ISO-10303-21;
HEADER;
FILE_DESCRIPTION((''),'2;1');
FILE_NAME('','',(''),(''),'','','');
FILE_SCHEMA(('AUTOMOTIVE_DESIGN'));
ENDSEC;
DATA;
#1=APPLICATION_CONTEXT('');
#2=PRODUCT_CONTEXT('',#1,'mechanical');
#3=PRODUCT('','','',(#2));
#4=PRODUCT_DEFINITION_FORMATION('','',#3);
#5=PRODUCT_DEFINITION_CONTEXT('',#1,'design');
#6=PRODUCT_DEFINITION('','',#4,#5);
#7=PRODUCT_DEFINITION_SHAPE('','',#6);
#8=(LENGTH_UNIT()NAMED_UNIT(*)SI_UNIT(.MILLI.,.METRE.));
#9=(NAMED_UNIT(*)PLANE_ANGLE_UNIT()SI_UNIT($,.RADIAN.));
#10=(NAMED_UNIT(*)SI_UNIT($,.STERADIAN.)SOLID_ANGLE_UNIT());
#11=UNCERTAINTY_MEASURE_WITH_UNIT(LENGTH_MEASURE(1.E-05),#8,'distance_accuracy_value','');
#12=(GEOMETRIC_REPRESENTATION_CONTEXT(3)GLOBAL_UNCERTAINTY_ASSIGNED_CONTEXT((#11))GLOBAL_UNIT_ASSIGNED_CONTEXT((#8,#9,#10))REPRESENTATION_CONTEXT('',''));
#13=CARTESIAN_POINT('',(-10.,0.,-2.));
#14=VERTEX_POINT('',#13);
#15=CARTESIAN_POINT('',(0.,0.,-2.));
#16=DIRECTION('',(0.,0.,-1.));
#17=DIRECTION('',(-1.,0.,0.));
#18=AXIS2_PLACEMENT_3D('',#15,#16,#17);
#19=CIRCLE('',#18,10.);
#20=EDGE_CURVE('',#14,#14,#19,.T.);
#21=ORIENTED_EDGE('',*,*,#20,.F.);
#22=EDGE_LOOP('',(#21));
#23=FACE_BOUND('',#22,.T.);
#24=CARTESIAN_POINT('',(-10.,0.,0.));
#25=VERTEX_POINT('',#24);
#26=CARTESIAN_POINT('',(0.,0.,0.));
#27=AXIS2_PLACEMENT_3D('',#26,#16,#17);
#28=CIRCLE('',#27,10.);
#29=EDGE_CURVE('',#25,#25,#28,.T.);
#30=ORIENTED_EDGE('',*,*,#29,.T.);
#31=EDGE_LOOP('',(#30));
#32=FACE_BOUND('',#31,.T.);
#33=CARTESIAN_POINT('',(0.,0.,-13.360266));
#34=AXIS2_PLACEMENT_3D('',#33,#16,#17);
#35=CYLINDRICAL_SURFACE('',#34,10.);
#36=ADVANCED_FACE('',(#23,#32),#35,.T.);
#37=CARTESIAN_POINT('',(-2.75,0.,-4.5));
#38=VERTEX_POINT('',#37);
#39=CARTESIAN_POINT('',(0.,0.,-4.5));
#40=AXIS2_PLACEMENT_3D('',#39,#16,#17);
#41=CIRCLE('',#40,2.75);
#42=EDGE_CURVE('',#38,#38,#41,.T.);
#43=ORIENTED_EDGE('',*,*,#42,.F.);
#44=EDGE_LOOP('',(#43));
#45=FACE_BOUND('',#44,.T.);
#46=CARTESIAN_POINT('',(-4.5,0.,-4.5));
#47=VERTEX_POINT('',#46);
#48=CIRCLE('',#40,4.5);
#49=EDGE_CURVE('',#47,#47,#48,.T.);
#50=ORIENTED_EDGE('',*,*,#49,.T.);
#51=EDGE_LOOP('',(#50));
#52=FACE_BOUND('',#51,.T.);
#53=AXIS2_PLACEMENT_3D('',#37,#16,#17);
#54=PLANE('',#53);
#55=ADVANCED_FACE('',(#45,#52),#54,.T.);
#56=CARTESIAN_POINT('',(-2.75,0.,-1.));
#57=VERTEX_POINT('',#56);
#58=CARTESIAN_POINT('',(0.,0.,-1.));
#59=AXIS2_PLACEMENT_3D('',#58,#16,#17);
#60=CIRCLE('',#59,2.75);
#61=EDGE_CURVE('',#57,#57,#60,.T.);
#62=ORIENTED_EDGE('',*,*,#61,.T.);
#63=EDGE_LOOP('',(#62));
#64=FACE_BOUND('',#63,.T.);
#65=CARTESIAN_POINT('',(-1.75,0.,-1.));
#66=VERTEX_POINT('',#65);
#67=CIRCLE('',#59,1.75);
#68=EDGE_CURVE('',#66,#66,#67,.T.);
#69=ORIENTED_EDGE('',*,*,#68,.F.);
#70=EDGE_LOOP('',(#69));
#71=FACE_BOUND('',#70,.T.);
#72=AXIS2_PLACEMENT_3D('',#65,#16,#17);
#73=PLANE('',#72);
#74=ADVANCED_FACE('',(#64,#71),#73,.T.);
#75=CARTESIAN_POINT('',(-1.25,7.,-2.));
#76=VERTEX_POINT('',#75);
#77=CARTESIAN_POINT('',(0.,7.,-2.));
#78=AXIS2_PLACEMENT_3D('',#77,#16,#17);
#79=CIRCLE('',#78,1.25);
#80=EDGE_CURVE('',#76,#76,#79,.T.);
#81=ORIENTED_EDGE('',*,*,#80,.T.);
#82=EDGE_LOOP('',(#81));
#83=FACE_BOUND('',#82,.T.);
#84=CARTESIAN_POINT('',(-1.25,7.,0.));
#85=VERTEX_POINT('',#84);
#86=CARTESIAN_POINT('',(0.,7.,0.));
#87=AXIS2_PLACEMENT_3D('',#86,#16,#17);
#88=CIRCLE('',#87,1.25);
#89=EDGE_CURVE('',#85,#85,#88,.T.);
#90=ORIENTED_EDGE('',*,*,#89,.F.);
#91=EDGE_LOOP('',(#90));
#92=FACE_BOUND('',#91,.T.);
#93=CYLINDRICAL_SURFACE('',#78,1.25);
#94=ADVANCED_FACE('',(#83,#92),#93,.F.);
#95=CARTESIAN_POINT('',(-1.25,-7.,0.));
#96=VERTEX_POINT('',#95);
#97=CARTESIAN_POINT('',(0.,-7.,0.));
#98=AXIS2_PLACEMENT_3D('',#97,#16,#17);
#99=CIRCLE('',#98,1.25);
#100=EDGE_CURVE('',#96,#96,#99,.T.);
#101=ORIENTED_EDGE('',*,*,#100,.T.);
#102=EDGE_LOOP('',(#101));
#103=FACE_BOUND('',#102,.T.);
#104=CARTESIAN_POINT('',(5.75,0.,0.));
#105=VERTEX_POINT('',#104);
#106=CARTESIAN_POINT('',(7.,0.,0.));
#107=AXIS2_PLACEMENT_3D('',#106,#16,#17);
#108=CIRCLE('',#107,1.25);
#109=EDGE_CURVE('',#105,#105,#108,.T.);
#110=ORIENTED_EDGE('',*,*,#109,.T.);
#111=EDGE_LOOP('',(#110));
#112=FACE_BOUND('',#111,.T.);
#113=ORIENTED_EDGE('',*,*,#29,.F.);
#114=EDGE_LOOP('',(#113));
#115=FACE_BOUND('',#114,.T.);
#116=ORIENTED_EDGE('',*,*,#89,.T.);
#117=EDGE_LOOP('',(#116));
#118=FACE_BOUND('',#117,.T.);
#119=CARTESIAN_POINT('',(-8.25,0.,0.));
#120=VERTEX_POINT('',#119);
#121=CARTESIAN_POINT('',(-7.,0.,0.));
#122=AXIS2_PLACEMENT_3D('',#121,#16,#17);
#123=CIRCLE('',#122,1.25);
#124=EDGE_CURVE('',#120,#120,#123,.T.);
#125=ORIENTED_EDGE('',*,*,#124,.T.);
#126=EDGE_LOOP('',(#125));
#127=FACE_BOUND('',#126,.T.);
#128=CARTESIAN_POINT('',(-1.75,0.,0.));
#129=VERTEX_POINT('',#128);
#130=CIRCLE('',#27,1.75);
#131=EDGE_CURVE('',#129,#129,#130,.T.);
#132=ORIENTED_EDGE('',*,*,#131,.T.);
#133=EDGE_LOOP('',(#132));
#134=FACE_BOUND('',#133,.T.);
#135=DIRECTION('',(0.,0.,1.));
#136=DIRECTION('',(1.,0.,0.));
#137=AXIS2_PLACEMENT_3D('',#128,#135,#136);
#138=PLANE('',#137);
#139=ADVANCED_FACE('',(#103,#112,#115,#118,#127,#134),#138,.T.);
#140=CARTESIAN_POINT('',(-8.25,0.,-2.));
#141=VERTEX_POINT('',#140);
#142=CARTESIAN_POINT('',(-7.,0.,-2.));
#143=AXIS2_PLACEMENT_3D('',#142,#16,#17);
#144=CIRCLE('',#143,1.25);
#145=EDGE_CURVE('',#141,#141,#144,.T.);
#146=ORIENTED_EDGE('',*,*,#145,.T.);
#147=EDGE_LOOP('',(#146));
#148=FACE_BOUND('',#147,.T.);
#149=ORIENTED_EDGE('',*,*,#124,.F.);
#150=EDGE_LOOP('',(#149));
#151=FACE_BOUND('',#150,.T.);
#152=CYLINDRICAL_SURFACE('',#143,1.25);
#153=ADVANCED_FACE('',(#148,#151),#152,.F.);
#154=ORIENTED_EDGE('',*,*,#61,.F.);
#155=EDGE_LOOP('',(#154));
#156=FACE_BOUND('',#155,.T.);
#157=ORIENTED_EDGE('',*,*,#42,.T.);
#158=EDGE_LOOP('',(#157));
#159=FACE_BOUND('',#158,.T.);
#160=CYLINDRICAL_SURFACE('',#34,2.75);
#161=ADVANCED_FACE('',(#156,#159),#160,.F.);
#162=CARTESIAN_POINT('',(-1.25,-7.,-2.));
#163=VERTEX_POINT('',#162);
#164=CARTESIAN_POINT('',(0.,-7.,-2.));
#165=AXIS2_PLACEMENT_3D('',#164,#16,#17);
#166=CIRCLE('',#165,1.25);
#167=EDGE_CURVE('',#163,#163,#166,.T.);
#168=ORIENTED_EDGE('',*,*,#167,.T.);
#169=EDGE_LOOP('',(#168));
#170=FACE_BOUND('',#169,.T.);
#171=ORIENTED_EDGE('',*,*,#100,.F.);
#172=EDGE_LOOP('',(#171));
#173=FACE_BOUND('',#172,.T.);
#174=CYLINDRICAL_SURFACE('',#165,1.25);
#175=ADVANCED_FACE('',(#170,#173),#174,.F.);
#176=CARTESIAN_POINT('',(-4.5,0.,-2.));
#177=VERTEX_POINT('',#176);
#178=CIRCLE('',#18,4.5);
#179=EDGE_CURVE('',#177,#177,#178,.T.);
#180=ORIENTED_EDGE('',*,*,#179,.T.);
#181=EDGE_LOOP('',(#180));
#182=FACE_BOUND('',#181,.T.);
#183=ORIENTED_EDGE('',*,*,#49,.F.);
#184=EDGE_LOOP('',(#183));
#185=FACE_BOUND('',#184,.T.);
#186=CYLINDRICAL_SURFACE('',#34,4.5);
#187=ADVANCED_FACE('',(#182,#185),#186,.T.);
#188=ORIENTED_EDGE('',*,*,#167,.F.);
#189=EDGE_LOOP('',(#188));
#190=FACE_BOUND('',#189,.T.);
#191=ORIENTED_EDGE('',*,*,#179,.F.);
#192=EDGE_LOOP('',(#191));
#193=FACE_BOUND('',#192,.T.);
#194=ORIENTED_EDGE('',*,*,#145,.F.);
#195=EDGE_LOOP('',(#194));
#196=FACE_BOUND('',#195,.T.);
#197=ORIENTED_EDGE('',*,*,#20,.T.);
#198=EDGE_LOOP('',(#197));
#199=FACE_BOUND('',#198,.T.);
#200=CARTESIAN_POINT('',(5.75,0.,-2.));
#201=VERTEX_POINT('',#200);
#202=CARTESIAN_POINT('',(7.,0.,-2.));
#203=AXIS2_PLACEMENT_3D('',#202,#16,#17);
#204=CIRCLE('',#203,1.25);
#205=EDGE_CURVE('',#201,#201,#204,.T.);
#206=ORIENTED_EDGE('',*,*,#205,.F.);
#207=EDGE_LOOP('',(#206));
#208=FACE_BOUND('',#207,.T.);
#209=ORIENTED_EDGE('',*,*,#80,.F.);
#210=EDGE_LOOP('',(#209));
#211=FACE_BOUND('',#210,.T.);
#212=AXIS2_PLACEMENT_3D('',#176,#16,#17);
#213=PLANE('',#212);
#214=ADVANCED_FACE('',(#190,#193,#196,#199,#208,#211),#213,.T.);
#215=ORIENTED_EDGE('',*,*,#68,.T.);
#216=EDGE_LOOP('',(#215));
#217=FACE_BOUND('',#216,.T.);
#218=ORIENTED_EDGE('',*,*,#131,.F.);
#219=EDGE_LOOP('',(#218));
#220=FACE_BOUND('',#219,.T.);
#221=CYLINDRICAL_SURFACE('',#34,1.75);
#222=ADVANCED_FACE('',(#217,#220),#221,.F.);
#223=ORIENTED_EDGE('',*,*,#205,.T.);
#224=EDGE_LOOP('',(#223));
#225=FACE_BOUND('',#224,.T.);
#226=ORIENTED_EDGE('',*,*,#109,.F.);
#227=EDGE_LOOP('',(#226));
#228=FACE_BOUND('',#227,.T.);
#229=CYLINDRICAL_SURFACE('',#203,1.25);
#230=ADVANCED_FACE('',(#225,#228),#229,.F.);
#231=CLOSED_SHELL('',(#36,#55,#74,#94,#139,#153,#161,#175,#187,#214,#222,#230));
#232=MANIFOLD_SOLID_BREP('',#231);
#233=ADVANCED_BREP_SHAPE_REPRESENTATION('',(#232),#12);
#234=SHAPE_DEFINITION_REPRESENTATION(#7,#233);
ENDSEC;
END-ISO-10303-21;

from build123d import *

# Parameters (mm, degrees)
M3X0_5_TAPPED_HOLE1_D = 2.5


with BuildPart() as part:
    # Sketch1 → Revolve1 (revolve)
    with BuildSketch(Plane(origin=(0, 0, 0), x_dir=(1, 0, 0), z_dir=(0, 1, 0))):
        Polygon((-1.75, 0), (-10, 0), (-10, 2), (-4.5, 2), (-4.5, 4.5), (-2.75, 4.5), (-2.75, 1), (-1.75, 1), align=None)
    revolve(axis=Axis((0, 0, -13.360266154), (0, 0, 1)))

    # M3x0.5 Tapped Hole1 (through all)
    with Locations(Plane(origin=(0, 0, -2), x_dir=(-1, 0, 0), z_dir=(0, 0, -1))):
        with Locations((0, 7), (7, 0), (0, -7), (-7, 0)):
            Hole(M3X0_5_TAPPED_HOLE1_D / 2)


solid = part.part
